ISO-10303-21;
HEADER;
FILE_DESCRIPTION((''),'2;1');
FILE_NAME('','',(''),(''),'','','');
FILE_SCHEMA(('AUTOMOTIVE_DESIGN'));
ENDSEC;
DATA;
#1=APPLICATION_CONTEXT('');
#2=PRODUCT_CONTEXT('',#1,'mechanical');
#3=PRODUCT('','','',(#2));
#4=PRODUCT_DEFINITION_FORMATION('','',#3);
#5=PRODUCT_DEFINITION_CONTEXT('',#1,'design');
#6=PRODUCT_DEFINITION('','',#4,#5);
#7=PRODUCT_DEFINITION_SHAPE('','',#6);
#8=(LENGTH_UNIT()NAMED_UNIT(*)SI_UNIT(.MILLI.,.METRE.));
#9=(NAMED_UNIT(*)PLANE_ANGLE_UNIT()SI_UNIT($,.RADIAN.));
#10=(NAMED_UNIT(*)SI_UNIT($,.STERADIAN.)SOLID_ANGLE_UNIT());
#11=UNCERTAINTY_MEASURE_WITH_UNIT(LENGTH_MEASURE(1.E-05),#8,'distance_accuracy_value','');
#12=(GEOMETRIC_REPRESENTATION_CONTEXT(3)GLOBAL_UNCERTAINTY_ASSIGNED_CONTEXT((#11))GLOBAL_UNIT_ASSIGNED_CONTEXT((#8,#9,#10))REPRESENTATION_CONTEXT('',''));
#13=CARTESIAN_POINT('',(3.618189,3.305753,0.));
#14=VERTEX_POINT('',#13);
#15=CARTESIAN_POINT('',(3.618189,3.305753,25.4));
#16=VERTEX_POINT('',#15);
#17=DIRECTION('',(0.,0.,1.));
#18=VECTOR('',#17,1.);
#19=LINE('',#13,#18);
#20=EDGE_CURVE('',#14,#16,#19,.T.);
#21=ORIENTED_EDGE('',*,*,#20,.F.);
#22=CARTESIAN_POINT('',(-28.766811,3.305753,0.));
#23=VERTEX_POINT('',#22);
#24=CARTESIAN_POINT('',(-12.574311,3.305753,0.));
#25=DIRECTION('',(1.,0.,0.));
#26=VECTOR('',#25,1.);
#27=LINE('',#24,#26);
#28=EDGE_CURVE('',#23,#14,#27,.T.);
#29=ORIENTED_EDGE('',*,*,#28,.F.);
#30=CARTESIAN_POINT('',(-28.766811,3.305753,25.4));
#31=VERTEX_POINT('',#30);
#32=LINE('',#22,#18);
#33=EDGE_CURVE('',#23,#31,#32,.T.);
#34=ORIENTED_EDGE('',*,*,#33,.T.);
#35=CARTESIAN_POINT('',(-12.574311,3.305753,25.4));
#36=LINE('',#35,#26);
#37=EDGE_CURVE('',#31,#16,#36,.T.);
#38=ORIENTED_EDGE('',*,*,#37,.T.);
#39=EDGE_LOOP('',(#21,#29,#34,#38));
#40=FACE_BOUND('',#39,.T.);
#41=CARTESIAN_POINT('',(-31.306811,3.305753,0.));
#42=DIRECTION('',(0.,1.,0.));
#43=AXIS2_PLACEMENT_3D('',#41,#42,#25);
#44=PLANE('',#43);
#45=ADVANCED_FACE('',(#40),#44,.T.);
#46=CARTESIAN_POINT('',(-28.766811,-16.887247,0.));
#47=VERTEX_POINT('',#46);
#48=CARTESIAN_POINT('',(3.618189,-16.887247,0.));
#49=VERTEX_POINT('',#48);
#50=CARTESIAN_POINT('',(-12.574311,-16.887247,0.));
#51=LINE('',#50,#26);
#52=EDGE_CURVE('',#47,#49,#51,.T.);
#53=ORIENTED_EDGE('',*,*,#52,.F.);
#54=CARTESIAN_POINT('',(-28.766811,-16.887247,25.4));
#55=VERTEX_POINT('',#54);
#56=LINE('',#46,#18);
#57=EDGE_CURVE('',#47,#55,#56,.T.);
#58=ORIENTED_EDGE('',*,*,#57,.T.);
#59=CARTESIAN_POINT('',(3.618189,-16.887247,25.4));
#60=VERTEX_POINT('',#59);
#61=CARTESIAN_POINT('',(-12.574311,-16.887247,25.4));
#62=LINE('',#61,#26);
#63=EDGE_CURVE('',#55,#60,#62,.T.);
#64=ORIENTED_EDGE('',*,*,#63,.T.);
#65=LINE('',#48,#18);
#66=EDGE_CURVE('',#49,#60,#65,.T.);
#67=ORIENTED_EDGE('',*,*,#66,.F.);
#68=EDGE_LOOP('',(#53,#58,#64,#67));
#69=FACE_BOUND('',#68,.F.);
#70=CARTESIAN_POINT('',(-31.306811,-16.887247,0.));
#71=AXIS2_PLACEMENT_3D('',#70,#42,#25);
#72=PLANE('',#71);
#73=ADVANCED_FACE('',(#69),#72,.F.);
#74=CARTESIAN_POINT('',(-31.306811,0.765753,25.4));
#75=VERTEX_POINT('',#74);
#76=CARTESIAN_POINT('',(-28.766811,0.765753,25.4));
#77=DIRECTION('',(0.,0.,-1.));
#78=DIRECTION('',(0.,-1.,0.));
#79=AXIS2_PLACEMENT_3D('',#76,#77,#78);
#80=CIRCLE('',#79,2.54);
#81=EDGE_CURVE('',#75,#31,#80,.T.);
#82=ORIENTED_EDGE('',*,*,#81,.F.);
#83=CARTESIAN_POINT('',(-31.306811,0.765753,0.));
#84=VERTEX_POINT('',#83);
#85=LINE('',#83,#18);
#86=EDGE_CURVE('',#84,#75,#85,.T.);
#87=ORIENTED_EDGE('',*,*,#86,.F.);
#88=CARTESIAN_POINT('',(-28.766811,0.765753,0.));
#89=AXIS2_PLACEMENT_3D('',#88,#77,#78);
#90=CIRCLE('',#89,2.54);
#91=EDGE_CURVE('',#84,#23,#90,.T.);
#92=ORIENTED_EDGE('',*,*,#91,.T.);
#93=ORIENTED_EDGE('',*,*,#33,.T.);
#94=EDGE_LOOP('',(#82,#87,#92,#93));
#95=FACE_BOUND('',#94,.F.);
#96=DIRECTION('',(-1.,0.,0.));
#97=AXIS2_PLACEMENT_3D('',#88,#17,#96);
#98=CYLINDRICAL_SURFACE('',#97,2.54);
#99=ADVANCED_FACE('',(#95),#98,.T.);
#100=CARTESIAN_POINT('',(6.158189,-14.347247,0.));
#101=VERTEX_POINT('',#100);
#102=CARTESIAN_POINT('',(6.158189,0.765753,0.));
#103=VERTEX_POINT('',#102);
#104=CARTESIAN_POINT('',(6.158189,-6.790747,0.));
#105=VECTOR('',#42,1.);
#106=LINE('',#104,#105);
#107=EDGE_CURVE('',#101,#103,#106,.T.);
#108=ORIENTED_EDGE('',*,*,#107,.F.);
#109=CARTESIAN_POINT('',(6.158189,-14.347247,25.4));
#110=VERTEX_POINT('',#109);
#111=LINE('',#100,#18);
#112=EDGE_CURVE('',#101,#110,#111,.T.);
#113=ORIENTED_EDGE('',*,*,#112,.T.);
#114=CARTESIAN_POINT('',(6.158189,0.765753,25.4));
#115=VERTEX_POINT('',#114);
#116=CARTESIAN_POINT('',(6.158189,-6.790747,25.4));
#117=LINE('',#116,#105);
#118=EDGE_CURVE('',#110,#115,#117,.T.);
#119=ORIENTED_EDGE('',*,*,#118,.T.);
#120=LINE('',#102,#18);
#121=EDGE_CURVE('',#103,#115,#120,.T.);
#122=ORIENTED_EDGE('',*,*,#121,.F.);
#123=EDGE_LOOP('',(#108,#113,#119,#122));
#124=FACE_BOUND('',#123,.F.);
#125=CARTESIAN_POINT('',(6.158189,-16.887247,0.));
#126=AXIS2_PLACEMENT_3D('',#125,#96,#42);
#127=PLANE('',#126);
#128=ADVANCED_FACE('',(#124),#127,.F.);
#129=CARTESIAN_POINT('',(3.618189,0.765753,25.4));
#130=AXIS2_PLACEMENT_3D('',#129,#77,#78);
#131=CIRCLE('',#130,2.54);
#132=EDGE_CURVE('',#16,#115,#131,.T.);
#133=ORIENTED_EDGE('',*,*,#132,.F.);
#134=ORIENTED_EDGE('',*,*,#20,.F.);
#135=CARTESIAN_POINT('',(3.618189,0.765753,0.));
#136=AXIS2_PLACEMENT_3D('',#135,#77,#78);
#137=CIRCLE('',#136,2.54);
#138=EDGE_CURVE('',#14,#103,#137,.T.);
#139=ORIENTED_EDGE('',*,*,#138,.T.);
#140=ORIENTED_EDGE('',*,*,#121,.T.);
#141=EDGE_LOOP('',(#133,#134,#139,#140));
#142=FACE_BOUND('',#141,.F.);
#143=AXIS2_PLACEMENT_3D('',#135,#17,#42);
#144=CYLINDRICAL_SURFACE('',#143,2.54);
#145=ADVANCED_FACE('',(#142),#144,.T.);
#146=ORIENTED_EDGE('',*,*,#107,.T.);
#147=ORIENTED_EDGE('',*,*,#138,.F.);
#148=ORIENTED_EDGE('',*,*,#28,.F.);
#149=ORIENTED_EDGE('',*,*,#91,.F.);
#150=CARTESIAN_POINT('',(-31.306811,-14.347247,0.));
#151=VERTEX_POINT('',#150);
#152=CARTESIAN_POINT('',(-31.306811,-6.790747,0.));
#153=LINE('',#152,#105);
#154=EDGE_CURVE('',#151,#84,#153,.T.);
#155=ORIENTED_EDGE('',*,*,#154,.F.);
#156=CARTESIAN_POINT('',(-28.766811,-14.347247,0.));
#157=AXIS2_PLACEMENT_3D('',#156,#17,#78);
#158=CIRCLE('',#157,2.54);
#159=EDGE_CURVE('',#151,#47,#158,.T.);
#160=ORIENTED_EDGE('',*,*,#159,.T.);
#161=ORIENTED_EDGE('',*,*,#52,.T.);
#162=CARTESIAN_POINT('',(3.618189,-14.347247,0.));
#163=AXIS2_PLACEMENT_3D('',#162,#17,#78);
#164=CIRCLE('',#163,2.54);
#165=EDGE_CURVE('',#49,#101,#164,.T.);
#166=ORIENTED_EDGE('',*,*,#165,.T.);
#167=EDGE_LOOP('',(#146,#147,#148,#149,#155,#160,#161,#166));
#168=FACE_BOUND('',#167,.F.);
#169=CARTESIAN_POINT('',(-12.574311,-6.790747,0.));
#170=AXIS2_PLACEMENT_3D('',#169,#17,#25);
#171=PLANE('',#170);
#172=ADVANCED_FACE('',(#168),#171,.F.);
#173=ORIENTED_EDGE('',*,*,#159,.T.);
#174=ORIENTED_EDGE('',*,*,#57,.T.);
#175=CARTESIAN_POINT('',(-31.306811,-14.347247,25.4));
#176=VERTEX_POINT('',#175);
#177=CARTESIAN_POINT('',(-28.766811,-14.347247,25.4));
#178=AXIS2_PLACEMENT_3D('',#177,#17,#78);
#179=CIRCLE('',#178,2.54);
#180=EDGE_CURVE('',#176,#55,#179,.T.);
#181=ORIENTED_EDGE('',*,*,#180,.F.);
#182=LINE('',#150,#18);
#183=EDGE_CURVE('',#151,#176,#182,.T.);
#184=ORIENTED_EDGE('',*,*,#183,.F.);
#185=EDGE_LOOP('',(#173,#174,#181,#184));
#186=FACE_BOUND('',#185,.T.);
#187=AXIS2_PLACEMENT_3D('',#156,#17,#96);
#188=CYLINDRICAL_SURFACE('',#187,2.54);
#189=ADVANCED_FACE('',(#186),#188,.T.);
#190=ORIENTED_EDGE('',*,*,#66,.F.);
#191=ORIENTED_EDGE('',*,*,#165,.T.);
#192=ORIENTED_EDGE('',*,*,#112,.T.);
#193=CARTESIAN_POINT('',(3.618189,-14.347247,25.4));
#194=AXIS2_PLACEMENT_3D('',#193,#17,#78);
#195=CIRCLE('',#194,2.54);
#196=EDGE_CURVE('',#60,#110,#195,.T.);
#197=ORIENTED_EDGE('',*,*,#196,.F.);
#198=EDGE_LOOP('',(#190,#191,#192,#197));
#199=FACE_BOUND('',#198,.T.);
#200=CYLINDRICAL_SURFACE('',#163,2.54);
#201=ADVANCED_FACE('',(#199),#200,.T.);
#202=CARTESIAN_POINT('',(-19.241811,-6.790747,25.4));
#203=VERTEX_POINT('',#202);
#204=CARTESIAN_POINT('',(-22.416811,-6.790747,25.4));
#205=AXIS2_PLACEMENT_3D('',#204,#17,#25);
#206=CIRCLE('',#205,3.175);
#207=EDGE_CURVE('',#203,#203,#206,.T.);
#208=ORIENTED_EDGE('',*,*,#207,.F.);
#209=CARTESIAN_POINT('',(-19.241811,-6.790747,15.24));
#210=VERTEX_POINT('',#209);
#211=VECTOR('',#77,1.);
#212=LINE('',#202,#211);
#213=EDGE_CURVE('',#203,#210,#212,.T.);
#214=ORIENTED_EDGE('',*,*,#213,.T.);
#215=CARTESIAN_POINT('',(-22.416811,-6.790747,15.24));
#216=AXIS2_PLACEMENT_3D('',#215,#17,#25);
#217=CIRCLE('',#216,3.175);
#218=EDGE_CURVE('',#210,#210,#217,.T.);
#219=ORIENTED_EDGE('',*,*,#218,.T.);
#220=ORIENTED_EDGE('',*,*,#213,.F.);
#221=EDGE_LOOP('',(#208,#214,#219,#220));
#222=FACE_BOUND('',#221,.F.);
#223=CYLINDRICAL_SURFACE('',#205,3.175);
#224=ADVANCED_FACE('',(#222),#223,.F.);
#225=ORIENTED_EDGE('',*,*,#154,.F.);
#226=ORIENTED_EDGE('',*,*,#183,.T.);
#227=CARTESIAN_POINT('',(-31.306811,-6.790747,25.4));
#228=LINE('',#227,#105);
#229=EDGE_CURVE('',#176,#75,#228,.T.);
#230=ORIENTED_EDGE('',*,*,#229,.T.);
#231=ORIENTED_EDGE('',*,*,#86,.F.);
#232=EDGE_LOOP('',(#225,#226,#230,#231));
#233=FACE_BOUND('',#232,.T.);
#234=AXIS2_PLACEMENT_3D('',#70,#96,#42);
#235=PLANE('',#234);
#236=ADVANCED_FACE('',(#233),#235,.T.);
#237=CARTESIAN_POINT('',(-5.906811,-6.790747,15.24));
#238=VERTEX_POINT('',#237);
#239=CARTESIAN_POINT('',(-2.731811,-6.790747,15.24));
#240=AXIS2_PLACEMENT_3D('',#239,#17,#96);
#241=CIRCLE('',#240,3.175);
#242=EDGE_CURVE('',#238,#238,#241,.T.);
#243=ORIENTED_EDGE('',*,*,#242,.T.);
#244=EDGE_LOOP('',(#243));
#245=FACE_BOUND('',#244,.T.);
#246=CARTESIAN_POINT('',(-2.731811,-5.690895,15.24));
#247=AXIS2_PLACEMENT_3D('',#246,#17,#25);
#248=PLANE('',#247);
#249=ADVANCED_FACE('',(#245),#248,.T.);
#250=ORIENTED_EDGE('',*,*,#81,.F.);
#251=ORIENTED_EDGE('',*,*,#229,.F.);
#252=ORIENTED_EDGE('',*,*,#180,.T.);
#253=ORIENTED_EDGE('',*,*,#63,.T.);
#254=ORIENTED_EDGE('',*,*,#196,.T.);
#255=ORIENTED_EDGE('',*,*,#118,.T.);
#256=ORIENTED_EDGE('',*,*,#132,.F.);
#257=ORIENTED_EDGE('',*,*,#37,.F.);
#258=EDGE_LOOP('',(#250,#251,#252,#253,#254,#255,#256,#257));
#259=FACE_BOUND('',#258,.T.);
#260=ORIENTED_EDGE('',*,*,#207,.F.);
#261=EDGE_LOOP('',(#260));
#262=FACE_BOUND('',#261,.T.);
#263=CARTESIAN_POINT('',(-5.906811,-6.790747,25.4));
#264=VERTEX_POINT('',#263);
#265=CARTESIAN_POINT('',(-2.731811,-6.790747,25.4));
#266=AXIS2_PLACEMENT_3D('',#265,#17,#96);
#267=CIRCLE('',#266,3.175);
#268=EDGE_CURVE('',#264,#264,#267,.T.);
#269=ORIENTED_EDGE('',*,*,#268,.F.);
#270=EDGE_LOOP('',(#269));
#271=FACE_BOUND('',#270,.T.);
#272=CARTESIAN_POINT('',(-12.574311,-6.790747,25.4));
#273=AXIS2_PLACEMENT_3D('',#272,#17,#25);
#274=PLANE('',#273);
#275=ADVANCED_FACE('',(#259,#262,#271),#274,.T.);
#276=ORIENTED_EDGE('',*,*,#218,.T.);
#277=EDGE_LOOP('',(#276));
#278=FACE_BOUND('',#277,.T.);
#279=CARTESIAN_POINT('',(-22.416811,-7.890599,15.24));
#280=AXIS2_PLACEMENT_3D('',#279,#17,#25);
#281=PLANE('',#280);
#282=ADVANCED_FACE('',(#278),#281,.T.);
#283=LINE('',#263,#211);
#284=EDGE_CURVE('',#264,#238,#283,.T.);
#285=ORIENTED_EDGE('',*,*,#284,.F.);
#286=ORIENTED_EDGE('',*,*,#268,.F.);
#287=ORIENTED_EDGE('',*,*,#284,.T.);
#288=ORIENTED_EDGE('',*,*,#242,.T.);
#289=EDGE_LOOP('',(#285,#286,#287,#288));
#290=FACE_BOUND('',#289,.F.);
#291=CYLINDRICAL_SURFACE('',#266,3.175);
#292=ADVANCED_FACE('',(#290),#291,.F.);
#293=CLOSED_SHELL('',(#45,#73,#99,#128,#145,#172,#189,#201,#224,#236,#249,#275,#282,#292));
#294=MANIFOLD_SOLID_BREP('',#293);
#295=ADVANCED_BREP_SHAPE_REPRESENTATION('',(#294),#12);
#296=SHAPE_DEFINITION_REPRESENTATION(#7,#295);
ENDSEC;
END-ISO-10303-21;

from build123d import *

# Parameters (mm, degrees)
F0_W     = 37.465
F0_H     = 20.193
F1_DEPTH = 25.4
F3_DEPTH = 10.16
F4_R     = 2.54


with BuildPart() as f1:
    # F0 (on Top) → F1 (new body)
    with BuildSketch(Plane.XY):
        with Locations((-12.5743107353, -6.7907468112)):
            Rectangle(F0_W, F0_H)
    extrude(amount=F1_DEPTH)

    # F2 (on face) → F3 (cut)
    with BuildSketch(Plane.XY.offset(25.4)):
        with BuildLine():
            ThreePointArc((-25.5918107353, -6.7907468112), (-22.4168107353, -9.9657468112), (-19.2418107353, -6.7907468112))
            Line((-19.2418107353, -6.7907468112), (-25.5918107353, -6.7907468112))
        make_face()
        with BuildLine():
            Line((-25.5918107353, -6.7907468112), (-19.2418107353, -6.7907468112))
            ThreePointArc((-19.2418107353, -6.7907468112), (-22.4168107353, -3.6157468112), (-25.5918107353, -6.7907468112))
        make_face()
        with BuildLine():
            Line((-5.9068107353, -6.7907468112), (0.4431892647, -6.7907468112))
            ThreePointArc((0.4431892647, -6.7907468112), (-2.7318107353, -3.6157468112), (-5.9068107353, -6.7907468112))
        make_face()
        with BuildLine():
            ThreePointArc((-5.9068107353, -6.7907468112), (-2.7318107353, -9.9657468112), (0.4431892647, -6.7907468112))
            Line((0.4431892647, -6.7907468112), (-5.9068107353, -6.7907468112))
        make_face()
    extrude(amount=-F3_DEPTH, mode=Mode.SUBTRACT)

    # F4
    f4_edges = [f1.edges().sort_by_distance(p)[0] for p in [
        (-31.306811, -16.887247, 12.7),
        (6.158189, -16.887247, 12.7),
        (6.158189, 3.305753, 12.7),
        (-31.306811, 3.305753, 12.7),
    ]]
    fillet(f4_edges, radius=F4_R)


solid = f1.part
